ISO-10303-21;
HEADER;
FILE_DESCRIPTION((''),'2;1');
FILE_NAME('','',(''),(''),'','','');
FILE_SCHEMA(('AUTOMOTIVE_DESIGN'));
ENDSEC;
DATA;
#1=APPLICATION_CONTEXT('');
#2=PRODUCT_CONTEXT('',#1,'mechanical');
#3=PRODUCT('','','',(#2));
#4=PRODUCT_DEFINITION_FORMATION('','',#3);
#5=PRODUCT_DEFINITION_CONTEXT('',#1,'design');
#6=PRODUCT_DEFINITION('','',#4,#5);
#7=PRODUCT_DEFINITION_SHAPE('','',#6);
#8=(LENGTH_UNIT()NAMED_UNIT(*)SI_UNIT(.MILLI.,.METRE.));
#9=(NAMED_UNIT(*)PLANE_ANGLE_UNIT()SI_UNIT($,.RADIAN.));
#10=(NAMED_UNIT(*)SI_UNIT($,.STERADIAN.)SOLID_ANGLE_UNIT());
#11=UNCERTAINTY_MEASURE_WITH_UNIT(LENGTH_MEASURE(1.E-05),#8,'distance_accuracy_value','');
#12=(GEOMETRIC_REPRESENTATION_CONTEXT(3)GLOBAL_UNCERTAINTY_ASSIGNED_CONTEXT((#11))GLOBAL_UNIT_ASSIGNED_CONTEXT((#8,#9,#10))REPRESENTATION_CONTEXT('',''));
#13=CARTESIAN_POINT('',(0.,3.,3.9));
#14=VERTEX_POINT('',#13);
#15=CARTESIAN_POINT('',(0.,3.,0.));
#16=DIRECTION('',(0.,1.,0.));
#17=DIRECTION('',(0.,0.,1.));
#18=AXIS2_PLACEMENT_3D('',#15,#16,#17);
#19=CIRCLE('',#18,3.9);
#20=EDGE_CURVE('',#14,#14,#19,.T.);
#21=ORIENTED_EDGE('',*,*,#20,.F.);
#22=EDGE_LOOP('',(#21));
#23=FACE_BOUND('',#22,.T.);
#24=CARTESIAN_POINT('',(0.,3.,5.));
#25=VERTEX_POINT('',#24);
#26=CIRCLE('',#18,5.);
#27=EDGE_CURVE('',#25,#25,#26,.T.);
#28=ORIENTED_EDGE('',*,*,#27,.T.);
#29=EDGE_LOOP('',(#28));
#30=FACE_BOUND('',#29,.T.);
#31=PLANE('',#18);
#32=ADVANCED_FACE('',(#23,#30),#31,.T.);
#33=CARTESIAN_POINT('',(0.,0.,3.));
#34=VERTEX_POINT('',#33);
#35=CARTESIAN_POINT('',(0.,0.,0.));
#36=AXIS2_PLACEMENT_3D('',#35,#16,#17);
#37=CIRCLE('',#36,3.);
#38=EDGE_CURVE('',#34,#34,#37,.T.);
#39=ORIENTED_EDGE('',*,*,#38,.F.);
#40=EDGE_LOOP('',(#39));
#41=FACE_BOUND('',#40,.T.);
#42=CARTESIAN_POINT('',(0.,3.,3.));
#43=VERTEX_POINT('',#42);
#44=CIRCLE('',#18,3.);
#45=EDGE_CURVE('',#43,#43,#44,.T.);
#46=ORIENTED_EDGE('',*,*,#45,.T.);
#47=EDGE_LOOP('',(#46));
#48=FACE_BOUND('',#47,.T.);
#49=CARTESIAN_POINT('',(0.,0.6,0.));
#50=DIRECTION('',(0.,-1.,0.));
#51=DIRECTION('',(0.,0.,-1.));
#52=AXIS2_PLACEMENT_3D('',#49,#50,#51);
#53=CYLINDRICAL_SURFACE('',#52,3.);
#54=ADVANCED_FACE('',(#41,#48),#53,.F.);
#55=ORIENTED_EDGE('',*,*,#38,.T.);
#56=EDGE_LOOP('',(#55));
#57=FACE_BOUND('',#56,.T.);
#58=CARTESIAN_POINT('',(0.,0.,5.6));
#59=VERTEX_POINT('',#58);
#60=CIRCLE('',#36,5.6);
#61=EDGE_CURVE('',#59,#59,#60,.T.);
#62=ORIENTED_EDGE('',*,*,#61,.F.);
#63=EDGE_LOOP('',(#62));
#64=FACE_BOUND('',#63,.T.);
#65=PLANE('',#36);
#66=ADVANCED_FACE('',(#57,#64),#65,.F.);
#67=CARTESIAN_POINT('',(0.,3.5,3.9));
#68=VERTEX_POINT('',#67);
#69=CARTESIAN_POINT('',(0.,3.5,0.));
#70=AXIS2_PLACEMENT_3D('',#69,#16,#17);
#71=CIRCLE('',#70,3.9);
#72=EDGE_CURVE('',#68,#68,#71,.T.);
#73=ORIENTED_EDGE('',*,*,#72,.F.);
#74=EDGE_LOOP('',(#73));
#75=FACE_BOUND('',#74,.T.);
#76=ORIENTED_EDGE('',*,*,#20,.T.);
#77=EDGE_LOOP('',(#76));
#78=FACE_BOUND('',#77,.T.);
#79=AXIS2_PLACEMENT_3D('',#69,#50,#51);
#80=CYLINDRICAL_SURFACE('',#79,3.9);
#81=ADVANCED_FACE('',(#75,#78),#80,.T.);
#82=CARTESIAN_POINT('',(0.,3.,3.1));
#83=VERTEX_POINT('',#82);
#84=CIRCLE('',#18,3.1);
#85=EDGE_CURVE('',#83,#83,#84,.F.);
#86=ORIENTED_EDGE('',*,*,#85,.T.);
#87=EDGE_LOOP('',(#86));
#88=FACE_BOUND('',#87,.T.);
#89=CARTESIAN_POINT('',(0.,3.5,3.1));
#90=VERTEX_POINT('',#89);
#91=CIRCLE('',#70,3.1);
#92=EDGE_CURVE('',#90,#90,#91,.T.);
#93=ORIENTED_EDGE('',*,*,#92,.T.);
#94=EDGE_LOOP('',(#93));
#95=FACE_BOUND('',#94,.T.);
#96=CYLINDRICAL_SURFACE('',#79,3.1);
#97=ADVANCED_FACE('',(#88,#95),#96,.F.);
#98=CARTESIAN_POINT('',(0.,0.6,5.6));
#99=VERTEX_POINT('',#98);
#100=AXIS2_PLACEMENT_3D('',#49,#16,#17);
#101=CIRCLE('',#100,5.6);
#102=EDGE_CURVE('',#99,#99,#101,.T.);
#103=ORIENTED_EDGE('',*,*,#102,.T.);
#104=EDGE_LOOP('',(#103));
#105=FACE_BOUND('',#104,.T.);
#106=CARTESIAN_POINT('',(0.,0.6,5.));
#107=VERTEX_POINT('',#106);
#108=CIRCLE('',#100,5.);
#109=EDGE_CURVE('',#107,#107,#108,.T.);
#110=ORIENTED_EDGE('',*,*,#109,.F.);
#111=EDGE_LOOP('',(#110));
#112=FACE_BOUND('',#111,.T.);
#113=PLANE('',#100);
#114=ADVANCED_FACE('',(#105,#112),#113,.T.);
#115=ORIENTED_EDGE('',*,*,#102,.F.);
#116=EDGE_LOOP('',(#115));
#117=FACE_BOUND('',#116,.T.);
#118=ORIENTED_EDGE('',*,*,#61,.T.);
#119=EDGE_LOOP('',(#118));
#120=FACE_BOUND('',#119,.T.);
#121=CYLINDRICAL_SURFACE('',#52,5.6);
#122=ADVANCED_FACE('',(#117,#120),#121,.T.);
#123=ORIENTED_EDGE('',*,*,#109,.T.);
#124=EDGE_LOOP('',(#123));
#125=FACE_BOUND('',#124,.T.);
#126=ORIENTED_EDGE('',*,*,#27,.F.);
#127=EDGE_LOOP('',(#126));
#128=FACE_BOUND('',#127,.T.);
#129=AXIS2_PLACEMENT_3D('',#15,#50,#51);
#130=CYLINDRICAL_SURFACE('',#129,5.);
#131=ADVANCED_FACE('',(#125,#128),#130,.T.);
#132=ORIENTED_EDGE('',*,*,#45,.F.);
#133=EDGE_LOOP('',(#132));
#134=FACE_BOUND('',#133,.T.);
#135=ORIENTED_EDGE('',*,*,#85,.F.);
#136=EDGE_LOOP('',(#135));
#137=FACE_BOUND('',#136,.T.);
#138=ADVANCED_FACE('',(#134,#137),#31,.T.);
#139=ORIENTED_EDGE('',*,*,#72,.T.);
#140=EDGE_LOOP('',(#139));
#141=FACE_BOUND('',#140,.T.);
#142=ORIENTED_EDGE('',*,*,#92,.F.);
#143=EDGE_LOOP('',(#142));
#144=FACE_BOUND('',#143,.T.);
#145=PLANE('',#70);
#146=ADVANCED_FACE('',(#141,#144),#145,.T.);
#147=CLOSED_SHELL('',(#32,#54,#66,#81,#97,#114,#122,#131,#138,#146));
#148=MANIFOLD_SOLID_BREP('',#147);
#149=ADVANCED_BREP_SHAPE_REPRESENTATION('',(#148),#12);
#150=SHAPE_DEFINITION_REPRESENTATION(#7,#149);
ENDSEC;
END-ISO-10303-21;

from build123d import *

# Parameters (mm, degrees)
SKETCH_1_R      = 5.6
SKETCH_1_R_2    = 3
EXTRUDE_1_DEPTH = 0.6
SKETCH_2_R      = 5
SKETCH_2_R_2    = 3
EXTRUDE_2_DEPTH = 2.4
SKETCH_3_R      = 3.9
SKETCH_3_R_2    = 3.1
EXTRUDE_3_DEPTH = 0.5


with BuildPart() as part:
    # 草图1 → 凸台-拉伸1 (new body)
    with BuildSketch(Plane(origin=(0, 0, 0), x_dir=(1, 0, 0), z_dir=(0, 1, 0))):
        with Locations(Location((0, 0, 0), (0, 0, 270))):
            Circle(SKETCH_1_R)
        with Locations(Location((0, 0, 0), (0, 0, 270))):
            Circle(SKETCH_1_R_2, mode=Mode.SUBTRACT)
    extrude(amount=EXTRUDE_1_DEPTH)

    # 草图2 → 凸台-拉伸2 (add)
    with BuildSketch(Plane(origin=(0, 0.6, 0), x_dir=(1, 0, 0), z_dir=(0, 1, 0))):
        with Locations(Location((0, 0, 0), (0, 0, 270))):
            Circle(SKETCH_2_R)
        with Locations(Location((0, 0, 0), (0, 0, 270))):
            Circle(SKETCH_2_R_2, mode=Mode.SUBTRACT)
    extrude(amount=EXTRUDE_2_DEPTH)

    # 草图3 → 凸台-拉伸3 (add)
    with BuildSketch(Plane(origin=(0, 3, 0), x_dir=(1, 0, 0), z_dir=(0, 1, 0))):
        with Locations(Location((0, 0, 0), (0, 0, 270))):
            Circle(SKETCH_3_R)
        with Locations(Location((0, 0, 0), (0, 0, 270))):
            Circle(SKETCH_3_R_2, mode=Mode.SUBTRACT)
    extrude(amount=EXTRUDE_3_DEPTH)


solid = part.part
